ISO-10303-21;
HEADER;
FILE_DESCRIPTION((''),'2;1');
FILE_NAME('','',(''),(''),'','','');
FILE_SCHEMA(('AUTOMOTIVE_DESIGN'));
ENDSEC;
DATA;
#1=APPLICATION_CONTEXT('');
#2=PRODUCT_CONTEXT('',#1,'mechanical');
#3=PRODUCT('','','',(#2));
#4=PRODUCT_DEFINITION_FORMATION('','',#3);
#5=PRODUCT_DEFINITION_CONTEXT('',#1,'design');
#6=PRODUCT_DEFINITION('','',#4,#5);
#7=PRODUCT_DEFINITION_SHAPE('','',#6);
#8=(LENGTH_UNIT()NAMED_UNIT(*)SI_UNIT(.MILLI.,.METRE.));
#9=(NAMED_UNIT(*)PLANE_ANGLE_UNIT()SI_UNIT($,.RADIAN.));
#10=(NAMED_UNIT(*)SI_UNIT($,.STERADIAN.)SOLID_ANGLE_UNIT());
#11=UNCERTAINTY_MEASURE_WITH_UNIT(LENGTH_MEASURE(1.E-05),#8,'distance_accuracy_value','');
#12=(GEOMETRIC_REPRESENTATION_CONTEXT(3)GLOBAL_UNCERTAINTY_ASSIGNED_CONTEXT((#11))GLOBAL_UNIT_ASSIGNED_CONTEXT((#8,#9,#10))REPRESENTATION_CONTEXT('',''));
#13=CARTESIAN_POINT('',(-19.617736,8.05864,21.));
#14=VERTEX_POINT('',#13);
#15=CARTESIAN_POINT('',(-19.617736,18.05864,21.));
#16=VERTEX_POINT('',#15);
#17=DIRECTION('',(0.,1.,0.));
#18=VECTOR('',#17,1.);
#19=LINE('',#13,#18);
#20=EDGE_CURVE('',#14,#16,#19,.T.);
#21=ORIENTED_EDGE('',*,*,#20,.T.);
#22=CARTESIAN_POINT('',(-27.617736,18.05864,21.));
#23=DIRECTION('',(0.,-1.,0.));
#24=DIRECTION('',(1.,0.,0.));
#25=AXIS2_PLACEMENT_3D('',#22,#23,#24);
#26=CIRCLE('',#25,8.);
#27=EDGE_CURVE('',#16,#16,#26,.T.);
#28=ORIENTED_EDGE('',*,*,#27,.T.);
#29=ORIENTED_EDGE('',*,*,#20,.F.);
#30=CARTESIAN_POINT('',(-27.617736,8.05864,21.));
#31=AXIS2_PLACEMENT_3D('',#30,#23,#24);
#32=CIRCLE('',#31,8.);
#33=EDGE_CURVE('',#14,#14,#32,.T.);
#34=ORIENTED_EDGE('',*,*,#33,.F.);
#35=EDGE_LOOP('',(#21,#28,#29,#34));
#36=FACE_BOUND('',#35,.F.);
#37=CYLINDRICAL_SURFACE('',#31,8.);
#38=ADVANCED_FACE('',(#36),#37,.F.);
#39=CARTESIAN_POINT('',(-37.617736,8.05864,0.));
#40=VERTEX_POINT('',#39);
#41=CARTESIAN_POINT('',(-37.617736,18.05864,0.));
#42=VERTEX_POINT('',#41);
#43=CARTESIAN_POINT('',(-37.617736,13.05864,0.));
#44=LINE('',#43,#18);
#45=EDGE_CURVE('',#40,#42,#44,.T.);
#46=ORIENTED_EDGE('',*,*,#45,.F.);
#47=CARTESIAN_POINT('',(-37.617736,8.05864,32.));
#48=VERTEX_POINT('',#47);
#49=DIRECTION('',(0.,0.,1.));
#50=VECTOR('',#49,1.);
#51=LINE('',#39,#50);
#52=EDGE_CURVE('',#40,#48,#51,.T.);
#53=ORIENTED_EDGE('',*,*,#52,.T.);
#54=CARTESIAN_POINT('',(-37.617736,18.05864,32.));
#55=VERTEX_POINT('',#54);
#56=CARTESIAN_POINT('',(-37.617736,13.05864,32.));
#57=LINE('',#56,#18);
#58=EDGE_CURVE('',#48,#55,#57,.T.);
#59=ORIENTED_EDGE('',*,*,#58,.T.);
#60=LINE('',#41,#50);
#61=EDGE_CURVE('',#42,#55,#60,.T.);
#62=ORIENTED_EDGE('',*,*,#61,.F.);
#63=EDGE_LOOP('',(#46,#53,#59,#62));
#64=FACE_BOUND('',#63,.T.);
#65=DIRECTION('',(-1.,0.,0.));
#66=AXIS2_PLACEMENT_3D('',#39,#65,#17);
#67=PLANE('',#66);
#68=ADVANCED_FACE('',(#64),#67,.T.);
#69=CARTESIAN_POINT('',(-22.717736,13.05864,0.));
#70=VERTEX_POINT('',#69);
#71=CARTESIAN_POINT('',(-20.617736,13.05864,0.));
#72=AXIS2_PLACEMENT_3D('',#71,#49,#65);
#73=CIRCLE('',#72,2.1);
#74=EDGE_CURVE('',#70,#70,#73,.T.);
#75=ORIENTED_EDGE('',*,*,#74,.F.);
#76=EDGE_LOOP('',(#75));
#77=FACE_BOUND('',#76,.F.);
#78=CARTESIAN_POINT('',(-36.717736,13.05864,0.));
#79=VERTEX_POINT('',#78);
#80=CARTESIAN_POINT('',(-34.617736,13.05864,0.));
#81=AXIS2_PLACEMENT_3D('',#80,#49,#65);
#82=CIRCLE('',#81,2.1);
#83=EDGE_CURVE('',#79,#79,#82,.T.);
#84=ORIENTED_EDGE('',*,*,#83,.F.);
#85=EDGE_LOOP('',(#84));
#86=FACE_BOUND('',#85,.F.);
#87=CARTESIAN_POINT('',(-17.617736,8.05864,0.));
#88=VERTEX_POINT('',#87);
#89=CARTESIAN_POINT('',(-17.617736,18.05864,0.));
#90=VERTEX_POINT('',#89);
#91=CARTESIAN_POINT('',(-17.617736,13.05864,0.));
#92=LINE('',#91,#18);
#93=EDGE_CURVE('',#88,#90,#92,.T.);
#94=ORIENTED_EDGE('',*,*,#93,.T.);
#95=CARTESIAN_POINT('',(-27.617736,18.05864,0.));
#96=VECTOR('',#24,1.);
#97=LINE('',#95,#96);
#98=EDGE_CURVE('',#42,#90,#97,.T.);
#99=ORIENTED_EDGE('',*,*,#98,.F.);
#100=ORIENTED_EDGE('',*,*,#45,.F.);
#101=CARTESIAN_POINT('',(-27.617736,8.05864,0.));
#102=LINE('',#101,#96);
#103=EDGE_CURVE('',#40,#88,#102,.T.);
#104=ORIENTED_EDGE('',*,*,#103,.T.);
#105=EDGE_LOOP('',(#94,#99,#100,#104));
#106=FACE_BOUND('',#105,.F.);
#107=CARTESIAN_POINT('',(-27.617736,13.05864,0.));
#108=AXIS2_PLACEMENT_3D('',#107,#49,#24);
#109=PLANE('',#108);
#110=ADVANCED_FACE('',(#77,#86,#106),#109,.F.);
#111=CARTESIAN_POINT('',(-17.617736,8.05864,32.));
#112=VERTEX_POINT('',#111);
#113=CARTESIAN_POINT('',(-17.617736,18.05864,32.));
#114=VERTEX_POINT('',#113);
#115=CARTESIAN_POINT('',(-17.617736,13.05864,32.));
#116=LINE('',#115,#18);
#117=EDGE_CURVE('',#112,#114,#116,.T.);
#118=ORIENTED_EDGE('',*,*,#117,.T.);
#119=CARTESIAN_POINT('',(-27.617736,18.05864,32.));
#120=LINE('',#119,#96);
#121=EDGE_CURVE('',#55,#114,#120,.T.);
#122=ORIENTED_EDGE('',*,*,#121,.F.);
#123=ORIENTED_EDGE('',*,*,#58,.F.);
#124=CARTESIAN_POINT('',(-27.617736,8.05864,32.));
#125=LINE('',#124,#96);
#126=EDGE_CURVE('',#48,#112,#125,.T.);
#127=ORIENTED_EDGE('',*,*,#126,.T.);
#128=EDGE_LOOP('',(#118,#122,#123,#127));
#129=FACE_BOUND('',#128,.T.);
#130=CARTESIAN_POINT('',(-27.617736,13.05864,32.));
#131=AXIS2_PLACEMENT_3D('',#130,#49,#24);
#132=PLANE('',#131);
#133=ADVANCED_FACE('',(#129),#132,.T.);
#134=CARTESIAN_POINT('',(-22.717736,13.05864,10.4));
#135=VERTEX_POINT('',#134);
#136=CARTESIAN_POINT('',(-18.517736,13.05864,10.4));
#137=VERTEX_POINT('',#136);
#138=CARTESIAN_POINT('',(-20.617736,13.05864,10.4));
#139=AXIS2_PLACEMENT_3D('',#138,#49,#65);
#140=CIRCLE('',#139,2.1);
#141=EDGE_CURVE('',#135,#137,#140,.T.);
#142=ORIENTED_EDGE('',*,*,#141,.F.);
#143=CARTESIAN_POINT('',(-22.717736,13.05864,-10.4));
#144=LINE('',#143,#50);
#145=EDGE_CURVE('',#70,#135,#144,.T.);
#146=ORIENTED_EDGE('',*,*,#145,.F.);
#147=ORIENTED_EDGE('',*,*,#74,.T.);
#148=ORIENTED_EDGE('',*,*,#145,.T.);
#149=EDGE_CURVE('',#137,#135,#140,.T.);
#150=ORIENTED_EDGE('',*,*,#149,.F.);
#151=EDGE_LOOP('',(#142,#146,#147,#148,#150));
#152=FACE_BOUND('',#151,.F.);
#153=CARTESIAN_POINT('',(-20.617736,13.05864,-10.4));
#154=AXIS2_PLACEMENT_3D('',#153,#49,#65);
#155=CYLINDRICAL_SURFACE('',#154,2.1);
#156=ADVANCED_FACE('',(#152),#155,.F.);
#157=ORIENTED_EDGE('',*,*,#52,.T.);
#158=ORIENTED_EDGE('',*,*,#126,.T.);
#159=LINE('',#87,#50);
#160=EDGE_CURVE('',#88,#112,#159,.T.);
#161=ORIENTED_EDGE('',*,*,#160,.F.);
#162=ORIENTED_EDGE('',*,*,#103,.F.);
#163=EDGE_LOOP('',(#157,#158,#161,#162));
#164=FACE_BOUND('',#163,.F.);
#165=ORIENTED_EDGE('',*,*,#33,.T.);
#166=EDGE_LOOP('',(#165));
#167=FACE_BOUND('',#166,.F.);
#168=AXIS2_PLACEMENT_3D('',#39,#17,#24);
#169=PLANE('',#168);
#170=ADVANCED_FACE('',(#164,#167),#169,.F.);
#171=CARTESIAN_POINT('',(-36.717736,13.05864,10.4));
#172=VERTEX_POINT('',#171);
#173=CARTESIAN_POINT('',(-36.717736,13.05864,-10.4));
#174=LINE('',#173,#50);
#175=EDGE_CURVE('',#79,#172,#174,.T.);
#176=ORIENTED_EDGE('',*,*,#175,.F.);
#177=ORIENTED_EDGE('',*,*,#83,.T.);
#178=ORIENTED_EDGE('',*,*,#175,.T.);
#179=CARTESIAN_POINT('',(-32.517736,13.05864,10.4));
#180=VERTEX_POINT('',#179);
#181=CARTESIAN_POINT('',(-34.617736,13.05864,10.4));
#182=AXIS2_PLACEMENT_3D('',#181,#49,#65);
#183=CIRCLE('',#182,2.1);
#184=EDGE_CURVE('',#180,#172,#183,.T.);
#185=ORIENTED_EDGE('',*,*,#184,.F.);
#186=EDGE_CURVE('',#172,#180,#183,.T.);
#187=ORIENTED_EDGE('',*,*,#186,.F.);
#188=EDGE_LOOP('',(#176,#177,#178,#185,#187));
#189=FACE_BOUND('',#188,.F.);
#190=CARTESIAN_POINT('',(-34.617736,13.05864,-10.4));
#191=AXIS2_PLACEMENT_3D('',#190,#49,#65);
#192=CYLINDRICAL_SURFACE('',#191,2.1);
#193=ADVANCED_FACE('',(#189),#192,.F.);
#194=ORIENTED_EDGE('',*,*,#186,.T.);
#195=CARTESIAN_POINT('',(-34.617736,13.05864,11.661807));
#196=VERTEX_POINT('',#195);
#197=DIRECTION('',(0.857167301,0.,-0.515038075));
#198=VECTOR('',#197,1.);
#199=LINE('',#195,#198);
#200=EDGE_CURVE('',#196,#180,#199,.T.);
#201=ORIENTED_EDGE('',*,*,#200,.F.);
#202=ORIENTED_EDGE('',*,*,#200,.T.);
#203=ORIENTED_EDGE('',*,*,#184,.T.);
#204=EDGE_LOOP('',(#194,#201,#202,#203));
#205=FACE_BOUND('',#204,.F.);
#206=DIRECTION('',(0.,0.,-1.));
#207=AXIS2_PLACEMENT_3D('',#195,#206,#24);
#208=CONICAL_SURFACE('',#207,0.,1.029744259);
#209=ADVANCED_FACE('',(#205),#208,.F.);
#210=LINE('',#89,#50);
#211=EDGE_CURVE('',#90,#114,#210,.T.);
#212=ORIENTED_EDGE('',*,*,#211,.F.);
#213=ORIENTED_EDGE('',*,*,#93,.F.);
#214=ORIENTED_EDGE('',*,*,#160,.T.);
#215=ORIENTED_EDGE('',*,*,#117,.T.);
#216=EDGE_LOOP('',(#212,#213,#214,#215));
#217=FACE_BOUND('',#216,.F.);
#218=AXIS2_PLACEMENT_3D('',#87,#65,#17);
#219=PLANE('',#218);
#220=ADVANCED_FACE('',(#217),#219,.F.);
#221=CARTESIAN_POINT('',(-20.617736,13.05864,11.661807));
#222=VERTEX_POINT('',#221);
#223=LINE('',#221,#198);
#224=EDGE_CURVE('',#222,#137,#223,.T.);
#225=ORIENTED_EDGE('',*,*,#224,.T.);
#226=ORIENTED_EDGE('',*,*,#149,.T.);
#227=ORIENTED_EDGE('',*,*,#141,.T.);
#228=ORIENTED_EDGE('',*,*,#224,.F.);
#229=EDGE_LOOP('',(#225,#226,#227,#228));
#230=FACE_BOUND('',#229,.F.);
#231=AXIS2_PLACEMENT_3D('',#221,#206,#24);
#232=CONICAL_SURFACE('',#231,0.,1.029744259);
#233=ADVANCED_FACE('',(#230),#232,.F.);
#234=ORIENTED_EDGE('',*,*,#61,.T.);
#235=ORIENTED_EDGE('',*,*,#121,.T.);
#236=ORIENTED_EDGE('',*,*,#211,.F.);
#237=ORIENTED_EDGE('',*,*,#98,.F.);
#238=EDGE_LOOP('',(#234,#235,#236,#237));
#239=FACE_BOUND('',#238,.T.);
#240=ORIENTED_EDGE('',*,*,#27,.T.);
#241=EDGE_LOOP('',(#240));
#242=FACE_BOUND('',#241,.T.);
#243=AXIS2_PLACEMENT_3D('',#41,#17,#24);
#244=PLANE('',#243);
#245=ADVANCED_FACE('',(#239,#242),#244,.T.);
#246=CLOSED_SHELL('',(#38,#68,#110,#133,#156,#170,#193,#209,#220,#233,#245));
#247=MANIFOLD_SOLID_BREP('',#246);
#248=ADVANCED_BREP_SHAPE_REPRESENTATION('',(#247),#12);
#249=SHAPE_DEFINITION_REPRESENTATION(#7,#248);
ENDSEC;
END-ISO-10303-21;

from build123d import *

# Parameters (mm, degrees)
F0_W     = 20
F0_H     = 10
F1_DEPTH = 32
F2_R     = 8
F3_DEPTH = 25
F5_D     = 4.2
F5_DEPTH = 10.4
F5_TIP   = 1.2618073


with BuildPart() as f1:
    # F0 (on Top) → F1 (new body)
    with BuildSketch(Plane.XY):
        with Locations((-27.6177362539, 13.0586402248)):
            Rectangle(F0_W, F0_H)
    extrude(amount=F1_DEPTH)

    # F2 (on face) → F3 (cut)
    with BuildSketch(Plane.XZ.offset(-8.0586402248)):
        with Locations((-27.6177362539, 21)):
            Circle(F2_R)
    extrude(amount=-F3_DEPTH, mode=Mode.SUBTRACT)

    # F5
    with Locations(Plane(origin=(0, 0, 0), x_dir=(1, 0, 0), z_dir=(0, 0, -1))):
        with Locations((-34.6177362539, -13.0586402248), (-20.6177362539, -13.0586402248)):
            Hole(F5_D / 2, depth=F5_DEPTH)
            with Locations((0, 0, -(F5_DEPTH + F5_TIP / 2))):  # 118° drill point
                Cone(0, F5_D / 2, F5_TIP, mode=Mode.SUBTRACT)


solid = f1.part
